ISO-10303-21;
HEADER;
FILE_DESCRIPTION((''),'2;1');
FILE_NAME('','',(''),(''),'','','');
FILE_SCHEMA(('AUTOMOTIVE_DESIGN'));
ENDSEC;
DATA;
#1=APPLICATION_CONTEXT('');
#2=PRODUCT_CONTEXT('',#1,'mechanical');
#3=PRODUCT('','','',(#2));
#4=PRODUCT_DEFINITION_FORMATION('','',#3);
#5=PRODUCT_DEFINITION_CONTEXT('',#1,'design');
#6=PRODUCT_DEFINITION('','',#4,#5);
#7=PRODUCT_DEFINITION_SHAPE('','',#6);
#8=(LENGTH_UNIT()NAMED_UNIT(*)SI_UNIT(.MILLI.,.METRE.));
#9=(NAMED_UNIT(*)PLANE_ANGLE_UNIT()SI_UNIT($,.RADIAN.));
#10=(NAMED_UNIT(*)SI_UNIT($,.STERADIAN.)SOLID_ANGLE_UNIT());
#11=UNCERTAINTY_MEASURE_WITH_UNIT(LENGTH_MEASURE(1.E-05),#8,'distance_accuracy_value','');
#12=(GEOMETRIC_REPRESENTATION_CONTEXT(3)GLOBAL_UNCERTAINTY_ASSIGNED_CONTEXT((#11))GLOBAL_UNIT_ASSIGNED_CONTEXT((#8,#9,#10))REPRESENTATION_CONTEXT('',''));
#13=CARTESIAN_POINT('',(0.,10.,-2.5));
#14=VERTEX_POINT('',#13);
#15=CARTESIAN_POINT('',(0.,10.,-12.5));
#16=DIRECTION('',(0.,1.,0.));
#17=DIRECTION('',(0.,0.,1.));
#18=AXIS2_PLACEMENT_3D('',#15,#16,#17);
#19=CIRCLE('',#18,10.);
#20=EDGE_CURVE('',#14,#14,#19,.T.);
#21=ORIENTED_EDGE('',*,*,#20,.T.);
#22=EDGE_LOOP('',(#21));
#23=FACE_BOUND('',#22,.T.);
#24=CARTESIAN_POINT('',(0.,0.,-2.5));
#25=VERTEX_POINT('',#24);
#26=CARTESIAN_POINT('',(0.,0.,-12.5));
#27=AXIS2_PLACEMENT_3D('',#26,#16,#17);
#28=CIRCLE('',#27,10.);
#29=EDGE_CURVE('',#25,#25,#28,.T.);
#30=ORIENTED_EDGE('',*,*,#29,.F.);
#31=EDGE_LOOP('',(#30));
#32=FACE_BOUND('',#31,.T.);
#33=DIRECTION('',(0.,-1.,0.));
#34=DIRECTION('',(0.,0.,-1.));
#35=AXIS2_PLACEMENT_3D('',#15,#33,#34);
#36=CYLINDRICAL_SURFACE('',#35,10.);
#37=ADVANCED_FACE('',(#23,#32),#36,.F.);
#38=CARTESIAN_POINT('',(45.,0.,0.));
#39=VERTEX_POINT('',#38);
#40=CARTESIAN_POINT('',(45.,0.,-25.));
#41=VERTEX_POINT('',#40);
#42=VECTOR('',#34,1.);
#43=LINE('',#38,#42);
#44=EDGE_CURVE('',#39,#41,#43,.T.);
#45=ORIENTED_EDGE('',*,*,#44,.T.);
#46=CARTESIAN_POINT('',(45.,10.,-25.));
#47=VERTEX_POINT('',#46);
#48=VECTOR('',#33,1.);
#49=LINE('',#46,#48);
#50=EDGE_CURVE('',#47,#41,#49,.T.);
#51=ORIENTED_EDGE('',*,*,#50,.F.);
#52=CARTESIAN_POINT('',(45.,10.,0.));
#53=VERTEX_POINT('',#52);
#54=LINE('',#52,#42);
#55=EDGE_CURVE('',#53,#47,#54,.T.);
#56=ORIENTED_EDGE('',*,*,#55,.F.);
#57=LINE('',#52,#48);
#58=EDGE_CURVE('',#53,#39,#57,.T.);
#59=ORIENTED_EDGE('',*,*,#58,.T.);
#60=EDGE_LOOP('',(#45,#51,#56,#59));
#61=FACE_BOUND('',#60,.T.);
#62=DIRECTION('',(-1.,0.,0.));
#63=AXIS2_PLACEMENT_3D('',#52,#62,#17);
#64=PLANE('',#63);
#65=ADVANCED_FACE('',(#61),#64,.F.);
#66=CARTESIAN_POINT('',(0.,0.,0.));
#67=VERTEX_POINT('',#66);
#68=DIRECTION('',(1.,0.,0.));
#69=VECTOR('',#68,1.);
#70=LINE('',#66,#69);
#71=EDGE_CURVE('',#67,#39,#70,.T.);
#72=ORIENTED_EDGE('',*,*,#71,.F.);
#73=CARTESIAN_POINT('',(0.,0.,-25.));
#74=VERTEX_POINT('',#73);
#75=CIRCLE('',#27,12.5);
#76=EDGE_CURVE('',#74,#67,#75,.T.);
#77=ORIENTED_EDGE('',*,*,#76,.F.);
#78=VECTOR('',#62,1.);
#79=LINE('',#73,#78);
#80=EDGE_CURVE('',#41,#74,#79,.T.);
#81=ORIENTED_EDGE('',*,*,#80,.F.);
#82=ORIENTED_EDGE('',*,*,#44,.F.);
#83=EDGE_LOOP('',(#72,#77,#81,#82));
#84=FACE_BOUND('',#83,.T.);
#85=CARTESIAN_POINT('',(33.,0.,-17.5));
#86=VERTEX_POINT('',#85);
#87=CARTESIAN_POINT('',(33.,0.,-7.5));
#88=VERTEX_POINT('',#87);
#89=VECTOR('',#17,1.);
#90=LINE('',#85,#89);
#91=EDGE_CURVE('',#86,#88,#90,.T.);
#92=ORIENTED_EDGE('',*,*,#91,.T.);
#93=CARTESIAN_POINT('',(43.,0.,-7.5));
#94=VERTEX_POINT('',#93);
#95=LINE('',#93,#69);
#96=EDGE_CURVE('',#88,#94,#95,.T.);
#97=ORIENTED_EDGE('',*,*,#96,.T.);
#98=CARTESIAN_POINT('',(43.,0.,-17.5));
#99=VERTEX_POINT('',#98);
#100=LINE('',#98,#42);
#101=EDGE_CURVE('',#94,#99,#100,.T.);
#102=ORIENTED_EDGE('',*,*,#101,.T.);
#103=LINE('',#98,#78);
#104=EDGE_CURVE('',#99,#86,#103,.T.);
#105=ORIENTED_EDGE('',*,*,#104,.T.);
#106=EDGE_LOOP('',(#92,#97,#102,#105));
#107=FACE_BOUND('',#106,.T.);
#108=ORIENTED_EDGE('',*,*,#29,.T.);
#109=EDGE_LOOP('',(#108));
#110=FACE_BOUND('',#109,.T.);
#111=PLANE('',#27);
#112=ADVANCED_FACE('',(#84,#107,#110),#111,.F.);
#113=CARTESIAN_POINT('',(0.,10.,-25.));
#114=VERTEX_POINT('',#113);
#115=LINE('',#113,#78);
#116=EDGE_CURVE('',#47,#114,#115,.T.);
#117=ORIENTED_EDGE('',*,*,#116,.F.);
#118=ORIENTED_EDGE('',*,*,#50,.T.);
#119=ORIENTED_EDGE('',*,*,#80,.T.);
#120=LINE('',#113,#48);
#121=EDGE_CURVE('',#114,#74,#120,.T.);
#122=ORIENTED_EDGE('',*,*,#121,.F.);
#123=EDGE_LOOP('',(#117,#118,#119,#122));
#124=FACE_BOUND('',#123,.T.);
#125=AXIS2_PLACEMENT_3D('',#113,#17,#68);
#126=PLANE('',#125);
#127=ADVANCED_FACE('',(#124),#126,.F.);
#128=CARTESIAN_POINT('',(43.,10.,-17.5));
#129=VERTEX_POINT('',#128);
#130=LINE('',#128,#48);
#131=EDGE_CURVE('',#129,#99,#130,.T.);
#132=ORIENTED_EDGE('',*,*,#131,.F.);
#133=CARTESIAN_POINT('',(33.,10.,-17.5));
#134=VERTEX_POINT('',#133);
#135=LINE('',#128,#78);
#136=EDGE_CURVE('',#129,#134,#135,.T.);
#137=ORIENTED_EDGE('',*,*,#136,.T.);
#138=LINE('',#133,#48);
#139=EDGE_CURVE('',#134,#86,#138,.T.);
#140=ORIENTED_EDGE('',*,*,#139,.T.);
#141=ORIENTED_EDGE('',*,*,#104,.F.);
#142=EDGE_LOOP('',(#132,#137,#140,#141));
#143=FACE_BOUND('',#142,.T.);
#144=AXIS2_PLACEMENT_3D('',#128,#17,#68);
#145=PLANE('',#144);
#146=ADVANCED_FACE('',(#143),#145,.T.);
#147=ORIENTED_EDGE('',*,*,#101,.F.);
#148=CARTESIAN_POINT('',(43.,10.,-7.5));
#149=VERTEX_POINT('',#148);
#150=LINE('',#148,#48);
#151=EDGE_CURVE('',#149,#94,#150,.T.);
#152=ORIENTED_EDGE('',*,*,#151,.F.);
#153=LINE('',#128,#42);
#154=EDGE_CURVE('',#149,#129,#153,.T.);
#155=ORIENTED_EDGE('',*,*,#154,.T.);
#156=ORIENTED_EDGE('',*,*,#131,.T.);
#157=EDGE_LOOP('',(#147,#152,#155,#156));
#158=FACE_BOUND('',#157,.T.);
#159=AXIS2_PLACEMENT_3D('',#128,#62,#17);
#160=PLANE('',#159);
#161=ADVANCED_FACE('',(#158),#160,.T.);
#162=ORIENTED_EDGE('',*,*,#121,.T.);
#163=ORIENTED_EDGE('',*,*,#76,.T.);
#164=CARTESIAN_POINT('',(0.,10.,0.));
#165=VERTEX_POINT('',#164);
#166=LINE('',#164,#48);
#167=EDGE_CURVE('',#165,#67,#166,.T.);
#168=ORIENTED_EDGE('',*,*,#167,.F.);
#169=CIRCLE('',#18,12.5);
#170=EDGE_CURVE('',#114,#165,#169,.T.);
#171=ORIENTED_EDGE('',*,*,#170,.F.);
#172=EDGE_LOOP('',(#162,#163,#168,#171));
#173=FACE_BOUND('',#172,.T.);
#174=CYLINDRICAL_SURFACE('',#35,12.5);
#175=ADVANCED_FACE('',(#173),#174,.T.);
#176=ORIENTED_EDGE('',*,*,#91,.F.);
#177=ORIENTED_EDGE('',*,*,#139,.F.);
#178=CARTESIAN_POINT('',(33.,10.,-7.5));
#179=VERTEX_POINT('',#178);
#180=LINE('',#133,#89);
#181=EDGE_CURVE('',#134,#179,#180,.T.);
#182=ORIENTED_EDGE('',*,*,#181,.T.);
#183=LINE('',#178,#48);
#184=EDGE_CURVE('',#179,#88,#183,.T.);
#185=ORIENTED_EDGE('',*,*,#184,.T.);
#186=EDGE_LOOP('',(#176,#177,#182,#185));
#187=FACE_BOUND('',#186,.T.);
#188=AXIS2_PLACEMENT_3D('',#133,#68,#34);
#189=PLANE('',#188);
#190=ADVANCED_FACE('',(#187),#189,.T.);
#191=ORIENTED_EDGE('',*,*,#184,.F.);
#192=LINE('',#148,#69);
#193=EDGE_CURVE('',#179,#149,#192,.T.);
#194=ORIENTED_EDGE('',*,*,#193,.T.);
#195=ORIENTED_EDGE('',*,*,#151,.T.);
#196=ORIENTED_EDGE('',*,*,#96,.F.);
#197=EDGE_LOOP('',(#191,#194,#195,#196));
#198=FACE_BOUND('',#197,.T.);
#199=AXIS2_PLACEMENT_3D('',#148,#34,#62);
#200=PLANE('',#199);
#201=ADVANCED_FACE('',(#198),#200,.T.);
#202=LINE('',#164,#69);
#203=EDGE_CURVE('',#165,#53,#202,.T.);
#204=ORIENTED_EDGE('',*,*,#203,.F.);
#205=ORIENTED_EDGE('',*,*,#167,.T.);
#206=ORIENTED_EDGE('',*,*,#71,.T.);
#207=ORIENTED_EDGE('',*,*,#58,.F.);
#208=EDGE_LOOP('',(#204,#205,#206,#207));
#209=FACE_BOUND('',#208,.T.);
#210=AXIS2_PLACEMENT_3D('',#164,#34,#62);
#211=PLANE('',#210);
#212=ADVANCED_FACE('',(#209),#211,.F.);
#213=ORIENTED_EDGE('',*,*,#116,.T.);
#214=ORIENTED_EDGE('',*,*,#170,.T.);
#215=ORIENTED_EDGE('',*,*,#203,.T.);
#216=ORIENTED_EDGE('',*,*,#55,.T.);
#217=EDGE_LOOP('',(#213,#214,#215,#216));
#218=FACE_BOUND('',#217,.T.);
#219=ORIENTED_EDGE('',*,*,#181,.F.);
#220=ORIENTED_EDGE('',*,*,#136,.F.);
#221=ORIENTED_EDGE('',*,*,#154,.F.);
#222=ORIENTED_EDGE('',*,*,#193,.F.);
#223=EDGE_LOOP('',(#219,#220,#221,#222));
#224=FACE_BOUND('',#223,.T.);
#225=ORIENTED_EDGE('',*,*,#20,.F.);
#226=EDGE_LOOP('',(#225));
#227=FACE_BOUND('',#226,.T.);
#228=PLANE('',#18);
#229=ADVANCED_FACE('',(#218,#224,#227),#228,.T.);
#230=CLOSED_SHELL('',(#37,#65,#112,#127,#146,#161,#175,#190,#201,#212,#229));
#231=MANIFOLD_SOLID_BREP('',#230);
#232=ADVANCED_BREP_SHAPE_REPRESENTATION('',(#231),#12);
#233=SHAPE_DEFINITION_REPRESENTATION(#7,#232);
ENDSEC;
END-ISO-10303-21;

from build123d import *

# Parameters (mm, degrees)
SKETCH1_R           = 10
SKETCH1_W           = 10
SKETCH1_H           = 10
BOSS_EXTRUDE1_DEPTH = 10


with BuildPart() as part:
    # Sketch1 → Boss-Extrude1 (new body)
    with BuildSketch(Plane(origin=(0, 0, 0), x_dir=(1, 0, 0), z_dir=(0, 1, 0))):
        with BuildLine():
            Line((0, 0), (45, 0))
            Line((45, 0), (45, 25))
            Line((45, 25), (0, 25))
            ThreePointArc((0, 25), (-12.5, 12.5), (0, 0))
        make_face()
        with Locations(Location((0, 12.5, 0), (0, 0, 270))):
            Circle(SKETCH1_R, mode=Mode.SUBTRACT)
        with Locations((38, 12.5)):
            Rectangle(SKETCH1_W, SKETCH1_H, mode=Mode.SUBTRACT)
    extrude(amount=BOSS_EXTRUDE1_DEPTH)


solid = part.part
